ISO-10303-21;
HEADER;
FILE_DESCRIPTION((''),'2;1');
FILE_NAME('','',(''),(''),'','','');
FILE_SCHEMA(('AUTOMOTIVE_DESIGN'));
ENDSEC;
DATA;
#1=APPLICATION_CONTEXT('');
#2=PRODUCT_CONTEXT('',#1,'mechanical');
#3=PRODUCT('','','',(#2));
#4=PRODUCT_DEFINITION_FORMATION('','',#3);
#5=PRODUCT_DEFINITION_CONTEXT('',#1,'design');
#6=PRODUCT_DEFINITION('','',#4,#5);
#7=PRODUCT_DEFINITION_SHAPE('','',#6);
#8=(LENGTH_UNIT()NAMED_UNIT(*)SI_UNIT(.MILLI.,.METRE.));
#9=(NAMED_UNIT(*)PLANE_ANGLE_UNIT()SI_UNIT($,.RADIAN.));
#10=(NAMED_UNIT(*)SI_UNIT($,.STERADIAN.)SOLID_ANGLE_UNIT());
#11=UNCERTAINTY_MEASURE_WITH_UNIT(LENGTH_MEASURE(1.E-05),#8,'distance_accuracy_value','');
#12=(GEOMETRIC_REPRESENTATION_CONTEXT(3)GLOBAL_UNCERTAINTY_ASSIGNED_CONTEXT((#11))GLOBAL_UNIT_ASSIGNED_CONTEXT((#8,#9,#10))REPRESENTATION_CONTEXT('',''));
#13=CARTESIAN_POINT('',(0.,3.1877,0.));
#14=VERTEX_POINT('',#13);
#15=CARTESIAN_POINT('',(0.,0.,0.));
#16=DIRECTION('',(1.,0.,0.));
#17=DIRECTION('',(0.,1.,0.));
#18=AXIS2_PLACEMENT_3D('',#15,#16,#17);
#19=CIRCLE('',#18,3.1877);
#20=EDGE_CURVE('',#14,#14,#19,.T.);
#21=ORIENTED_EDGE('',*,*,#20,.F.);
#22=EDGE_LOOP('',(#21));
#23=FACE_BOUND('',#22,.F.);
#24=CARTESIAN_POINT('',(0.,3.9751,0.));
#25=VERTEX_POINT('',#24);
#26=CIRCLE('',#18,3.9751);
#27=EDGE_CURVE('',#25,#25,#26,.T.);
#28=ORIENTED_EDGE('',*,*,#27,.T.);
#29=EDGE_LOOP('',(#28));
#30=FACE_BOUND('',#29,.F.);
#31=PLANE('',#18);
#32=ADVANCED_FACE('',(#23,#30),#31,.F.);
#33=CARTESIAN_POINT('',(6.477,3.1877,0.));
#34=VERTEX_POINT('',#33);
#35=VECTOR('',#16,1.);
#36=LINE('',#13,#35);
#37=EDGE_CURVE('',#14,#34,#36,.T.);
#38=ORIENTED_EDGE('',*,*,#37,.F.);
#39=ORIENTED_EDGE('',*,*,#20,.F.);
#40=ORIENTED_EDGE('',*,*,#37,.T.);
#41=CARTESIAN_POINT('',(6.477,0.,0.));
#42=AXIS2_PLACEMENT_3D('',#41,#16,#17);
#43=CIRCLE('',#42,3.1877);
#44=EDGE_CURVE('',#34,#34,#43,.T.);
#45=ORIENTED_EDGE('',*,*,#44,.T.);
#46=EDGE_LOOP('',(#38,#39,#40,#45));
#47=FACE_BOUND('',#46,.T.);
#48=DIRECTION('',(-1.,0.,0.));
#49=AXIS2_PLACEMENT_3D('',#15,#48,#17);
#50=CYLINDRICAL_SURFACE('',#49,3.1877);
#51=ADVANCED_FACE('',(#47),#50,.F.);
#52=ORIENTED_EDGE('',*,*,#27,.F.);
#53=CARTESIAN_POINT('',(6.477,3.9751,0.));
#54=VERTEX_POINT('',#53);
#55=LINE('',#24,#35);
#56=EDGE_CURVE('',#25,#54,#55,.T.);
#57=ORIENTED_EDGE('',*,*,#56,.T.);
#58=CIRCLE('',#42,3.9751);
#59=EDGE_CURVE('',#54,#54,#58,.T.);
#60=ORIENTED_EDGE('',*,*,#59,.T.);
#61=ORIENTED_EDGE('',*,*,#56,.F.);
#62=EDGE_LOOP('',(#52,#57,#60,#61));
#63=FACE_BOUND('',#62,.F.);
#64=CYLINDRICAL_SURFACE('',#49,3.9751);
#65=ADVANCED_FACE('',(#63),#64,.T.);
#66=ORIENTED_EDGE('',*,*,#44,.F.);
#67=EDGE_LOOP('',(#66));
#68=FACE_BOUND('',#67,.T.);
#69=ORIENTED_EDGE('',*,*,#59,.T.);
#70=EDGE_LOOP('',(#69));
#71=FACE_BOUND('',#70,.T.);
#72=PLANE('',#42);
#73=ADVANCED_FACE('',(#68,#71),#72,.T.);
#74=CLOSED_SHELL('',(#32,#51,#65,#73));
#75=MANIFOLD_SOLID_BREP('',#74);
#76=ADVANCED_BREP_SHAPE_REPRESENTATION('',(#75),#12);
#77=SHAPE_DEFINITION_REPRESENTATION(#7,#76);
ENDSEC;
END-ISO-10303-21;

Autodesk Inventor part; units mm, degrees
ref_plane "YZ Plane" through (0, 0, 0) normal (1, 0, 0) x (0, 1, 0)
ref_plane "XZ Plane" through (0, 0, 0) normal (0, 1, 0) x (-1, 0, 0)
ref_plane "XY Plane" through (0, 0, 0) normal (0, 0, 1) x (1, 0, 0)
sketch "Sketch1" plane through (0, 0, 0) normal (1, 0, 0) x (0, 1, 0)
  circle A0 centre (0, 0) radius 3.9751
  circle A1 centre (0, 0) radius 3.1877
  dimension "d0" = 7.9502
  dimension "d1" = 6.3754
extrude "Extrusion1" add sketch "Sketch1" along normal blind 6.477
properties part number "Clutch Sleeve" material "Titanium"
